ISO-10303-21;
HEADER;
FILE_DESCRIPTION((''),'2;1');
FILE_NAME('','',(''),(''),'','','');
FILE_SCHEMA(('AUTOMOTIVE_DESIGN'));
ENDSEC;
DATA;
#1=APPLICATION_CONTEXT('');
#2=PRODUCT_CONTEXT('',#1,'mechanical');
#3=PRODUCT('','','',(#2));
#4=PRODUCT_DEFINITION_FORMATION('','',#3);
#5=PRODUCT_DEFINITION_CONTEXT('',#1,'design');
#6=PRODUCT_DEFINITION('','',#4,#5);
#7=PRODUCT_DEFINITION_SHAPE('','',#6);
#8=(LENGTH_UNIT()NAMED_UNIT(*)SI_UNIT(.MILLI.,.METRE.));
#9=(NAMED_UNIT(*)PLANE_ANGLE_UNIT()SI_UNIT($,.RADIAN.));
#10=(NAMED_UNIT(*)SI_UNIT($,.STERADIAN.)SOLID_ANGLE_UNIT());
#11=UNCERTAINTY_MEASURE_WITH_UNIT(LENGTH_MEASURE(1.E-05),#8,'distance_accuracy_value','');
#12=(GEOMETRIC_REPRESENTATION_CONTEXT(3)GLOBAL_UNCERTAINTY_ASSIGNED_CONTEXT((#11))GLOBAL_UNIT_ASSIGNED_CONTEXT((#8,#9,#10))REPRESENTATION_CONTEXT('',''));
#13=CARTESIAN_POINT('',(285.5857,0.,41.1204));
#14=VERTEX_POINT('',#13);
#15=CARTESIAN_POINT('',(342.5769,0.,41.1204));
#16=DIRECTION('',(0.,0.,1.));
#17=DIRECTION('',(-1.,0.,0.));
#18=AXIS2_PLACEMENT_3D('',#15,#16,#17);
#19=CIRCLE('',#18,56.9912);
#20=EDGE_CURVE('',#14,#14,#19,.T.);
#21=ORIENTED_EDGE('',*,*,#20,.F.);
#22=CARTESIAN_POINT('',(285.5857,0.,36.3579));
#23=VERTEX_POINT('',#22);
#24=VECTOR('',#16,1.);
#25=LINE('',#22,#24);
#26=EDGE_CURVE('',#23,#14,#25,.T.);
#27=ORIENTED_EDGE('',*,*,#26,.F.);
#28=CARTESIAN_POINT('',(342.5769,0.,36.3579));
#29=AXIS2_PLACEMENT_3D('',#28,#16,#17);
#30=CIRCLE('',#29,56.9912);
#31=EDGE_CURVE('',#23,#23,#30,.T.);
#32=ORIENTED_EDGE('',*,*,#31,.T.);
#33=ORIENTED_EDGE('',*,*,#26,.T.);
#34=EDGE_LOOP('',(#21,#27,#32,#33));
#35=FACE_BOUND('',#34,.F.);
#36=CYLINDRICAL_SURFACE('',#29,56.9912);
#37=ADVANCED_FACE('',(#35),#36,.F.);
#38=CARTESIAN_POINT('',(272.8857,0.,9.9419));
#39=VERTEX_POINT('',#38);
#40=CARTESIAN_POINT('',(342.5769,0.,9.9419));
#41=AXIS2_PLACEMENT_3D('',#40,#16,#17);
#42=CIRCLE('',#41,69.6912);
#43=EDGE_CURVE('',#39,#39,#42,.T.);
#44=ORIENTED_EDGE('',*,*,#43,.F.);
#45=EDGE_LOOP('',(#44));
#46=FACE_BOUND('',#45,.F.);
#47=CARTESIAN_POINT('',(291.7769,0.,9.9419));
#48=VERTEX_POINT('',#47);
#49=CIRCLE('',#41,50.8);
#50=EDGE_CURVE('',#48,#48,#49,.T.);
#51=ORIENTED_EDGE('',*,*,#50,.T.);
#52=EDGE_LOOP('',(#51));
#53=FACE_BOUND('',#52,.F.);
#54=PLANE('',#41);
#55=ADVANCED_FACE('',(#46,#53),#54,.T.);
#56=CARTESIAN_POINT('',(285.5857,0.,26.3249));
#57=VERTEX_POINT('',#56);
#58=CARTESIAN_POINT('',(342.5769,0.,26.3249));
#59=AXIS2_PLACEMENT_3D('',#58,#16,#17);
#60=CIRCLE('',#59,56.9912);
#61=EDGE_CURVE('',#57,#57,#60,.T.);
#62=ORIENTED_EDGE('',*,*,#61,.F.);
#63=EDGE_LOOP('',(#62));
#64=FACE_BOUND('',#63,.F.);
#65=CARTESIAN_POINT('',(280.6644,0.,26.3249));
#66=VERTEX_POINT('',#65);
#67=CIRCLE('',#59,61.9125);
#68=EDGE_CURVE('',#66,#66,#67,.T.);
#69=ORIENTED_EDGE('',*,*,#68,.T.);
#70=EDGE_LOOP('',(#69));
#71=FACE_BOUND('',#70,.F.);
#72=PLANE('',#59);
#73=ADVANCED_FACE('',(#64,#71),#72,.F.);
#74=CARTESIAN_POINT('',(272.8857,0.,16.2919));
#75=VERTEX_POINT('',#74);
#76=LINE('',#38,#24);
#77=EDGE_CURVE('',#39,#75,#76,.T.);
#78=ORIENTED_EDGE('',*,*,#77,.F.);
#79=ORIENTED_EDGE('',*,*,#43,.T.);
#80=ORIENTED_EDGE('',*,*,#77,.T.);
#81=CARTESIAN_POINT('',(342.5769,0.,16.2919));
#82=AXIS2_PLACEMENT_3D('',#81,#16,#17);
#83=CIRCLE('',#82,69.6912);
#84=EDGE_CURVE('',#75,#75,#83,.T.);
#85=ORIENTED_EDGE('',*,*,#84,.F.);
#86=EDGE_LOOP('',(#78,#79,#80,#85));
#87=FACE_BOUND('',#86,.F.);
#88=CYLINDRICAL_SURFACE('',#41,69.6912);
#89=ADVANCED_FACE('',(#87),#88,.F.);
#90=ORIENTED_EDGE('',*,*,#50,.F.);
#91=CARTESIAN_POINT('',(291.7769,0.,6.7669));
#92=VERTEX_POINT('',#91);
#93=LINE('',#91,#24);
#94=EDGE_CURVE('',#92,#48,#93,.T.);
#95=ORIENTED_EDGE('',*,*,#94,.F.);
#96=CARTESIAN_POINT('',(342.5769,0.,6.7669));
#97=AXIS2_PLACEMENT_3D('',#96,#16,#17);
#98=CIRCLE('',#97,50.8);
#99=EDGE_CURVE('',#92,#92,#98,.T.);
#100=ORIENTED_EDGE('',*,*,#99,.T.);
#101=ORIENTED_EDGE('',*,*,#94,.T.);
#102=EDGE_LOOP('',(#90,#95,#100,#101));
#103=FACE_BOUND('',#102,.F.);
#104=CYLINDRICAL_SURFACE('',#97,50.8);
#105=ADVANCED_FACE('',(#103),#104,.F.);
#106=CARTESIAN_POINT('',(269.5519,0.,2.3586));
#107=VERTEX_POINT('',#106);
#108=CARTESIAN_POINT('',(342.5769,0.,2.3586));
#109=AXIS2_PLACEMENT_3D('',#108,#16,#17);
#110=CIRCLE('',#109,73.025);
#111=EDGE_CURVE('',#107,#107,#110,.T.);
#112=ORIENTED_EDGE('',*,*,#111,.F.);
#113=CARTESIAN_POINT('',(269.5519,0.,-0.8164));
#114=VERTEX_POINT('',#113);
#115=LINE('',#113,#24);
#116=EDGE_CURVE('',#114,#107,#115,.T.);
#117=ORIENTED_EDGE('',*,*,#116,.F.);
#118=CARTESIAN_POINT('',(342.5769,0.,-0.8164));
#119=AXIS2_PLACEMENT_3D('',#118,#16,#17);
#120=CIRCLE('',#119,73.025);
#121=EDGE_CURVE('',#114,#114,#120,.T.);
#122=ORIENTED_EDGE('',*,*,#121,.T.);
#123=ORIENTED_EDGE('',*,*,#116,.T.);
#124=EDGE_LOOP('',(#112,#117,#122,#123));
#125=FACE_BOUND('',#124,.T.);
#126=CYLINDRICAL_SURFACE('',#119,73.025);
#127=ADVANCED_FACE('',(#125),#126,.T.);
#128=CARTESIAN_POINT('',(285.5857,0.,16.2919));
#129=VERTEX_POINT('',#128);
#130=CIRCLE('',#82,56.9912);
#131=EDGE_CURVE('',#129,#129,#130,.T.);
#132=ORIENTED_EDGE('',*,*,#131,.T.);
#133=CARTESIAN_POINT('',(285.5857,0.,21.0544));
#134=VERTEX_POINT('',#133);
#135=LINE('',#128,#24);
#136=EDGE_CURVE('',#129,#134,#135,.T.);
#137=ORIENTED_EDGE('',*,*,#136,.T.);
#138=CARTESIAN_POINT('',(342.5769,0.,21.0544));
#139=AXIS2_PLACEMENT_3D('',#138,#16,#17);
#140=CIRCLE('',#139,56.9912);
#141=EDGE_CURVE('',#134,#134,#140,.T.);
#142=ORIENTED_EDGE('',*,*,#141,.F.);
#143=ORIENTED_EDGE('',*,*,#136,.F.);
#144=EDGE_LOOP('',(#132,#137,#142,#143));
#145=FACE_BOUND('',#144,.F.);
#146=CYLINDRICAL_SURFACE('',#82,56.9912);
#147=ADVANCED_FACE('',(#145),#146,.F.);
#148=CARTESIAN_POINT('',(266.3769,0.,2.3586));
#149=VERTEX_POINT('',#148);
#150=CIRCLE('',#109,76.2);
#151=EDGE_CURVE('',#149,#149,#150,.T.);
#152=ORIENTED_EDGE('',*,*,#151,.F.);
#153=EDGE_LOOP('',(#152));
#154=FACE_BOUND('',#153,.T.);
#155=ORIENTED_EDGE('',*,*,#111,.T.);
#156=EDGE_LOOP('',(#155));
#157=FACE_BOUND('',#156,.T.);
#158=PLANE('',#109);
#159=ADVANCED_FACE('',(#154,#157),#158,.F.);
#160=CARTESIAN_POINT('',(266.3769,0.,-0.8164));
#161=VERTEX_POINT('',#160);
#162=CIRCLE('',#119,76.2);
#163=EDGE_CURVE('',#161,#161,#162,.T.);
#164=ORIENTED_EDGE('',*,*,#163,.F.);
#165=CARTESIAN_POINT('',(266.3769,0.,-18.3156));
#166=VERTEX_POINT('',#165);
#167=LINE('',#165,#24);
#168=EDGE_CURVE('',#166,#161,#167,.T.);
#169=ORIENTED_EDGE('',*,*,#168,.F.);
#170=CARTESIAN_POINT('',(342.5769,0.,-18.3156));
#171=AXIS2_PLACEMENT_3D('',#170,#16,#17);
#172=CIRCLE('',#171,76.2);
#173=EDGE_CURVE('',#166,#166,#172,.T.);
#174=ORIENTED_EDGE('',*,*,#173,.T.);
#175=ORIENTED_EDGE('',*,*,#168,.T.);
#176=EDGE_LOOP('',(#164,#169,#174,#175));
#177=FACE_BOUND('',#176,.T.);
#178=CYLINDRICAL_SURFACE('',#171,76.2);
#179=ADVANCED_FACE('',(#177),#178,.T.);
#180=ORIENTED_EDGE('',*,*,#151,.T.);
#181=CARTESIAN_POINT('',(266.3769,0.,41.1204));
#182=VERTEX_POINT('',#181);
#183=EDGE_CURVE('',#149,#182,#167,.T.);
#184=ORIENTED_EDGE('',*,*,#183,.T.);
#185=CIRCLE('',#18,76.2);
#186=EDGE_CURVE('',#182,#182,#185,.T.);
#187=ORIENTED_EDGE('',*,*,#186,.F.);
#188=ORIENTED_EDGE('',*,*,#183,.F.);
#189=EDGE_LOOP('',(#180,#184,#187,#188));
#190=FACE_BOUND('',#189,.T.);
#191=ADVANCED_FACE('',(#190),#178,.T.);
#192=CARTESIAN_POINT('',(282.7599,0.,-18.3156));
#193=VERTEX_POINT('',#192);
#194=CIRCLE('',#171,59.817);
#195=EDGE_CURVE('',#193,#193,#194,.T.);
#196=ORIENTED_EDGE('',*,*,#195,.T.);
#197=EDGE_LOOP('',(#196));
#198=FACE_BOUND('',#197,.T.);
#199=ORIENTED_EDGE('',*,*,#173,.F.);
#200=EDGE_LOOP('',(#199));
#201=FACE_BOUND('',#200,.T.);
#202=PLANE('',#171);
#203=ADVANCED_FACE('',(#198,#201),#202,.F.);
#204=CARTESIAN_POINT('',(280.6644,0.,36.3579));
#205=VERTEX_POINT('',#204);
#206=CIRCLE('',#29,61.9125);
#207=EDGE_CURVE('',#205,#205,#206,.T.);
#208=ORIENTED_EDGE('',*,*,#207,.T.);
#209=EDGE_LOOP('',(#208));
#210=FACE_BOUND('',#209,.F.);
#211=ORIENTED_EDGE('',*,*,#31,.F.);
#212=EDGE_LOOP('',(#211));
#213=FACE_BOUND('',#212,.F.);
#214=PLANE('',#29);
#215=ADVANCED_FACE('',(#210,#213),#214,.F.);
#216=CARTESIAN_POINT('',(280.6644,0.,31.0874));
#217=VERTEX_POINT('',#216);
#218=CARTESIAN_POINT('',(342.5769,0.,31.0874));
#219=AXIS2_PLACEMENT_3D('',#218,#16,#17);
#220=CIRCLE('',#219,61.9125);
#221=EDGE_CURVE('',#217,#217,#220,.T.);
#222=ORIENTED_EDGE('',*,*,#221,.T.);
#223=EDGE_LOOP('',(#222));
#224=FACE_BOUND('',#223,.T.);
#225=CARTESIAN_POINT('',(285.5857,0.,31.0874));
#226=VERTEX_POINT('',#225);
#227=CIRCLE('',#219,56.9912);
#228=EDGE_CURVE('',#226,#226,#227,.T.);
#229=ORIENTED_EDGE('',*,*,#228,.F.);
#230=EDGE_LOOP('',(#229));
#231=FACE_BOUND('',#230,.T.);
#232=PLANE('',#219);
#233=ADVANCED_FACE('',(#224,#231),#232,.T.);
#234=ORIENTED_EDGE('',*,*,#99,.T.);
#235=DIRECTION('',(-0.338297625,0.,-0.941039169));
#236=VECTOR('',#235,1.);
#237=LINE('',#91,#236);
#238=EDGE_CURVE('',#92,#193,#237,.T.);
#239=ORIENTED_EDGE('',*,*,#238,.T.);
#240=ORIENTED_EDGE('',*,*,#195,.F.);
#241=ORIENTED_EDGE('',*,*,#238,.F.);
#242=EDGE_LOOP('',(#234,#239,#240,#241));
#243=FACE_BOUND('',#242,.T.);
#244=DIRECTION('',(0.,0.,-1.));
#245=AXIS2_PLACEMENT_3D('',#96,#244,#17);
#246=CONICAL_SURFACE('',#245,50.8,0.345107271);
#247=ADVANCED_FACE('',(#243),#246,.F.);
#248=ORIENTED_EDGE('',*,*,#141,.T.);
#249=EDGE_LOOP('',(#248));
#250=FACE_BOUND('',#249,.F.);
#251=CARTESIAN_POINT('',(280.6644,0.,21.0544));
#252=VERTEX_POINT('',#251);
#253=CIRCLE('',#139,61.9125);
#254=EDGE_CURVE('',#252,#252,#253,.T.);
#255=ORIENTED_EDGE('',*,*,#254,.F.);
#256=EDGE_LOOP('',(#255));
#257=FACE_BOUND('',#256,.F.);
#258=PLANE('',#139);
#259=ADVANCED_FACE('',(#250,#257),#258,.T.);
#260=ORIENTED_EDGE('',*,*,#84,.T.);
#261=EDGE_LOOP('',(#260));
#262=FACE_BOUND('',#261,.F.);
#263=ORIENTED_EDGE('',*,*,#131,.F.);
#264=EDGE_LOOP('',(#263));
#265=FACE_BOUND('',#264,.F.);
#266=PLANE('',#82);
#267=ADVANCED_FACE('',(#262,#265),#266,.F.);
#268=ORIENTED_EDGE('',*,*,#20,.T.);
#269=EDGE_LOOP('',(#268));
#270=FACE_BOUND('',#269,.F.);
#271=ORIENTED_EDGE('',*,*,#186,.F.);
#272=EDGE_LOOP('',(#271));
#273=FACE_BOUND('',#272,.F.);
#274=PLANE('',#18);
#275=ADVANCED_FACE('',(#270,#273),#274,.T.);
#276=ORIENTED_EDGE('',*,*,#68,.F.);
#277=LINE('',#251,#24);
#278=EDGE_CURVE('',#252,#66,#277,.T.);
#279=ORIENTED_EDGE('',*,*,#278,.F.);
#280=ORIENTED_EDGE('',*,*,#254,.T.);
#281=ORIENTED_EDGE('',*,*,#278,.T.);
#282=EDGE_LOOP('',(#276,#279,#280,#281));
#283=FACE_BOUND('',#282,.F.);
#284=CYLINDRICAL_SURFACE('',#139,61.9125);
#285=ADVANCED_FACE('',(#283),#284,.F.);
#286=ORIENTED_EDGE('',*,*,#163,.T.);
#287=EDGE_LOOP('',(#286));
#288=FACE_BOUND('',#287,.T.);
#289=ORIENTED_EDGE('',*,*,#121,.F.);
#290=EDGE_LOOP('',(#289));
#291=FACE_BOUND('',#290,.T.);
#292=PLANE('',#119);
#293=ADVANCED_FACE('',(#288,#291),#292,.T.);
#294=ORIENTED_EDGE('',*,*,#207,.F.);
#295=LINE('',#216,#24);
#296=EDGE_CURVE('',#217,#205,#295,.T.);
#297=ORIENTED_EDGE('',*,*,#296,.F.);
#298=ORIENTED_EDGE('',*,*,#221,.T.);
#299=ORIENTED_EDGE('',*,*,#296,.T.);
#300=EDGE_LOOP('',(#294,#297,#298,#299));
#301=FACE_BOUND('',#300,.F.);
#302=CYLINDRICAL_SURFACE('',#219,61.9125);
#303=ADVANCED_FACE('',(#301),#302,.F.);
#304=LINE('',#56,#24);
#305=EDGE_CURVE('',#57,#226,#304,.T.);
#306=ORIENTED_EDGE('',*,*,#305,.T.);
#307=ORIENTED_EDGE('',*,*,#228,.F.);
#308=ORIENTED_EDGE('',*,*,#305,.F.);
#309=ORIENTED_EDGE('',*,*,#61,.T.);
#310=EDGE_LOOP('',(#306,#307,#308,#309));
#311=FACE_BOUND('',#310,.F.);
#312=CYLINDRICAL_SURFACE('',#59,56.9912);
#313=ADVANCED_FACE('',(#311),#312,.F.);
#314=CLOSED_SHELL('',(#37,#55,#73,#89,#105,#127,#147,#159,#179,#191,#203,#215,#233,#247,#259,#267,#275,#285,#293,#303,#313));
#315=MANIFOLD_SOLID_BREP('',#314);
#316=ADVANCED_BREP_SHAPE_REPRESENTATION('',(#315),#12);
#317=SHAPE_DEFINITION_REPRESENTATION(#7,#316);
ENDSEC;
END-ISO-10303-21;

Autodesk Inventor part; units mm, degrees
ref_plane "YZ Plane" through (0, 0, 0) normal (1, 0, 0) x (0, 1, 0)
ref_plane "XZ Plane" through (0, 0, 0) normal (0, 1, 0) x (-1, 0, 0)
ref_plane "XY Plane" through (0, 0, 0) normal (0, 0, 1) x (1, 0, 0)
sketch "Sketch5" plane through (0, 0, 0) normal (0, 1, 0) x (-1, 0, 0)
  line L0 (-272.8857, 16.2919) -> (-285.5857, 16.2919)
  line L1 (-285.5857, 16.2919) -> (-285.5857, 21.0544)
  line L2 (-285.5857, 21.0544) -> (-280.6644, 21.0544)
  line L3 (-280.6644, 26.3249) -> (-285.5857, 26.3249)
  line L4 (-280.6644, 21.0544) -> (-280.6644, 26.3249)
  line L5 (-280.6644, 31.0874) -> (-285.5857, 31.0874)
  line L6 (-285.5857, 26.3249) -> (-285.5857, 31.0874)
  line L7 (-280.6644, 31.0874) -> (-280.6644, 36.3579)
  line L8 (-285.5857, 36.3579) -> (-285.5857, 41.1204)
  line L9 (-285.5857, 41.1204) -> (-266.3769, 41.1204)
  line L10 (-272.8857, 9.9419) -> (-272.8857, 16.2919)
  line L11 (-266.3769, -18.3156) -> (-266.3769, 41.1204)
  line L12 (-291.7769, 9.9419) -> (-272.8857, 9.9419)
  line L13 (-282.7599, -18.3156) -> (-266.3769, -18.3156)
  line L14 (-291.7769, 6.7669) -> (-282.7599, -18.3156)
  line L15 (-291.7769, 6.7669) -> (-291.7769, 9.9419)
  line L16 (-280.6644, 36.3579) -> (-285.5857, 36.3579)
  line L17 (-342.5769, -58.268) -> (-342.5769, 69.8263)
  line L18 (-266.3769, -0.8164) -> (-269.5519, -0.8164)
  line L19 (-269.5519, -0.8164) -> (-269.5519, 2.3586)
  line L20 (-269.5519, 2.3586) -> (-266.3769, 2.3586)
  point P0 (0, 0)
  dimension "d34" = 3.175
  dimension "d35" = 9.017
  dimension "d36" = 50.8
  dimension "d37" = 76.2
  dimension "d39" = 61.9125
  dimension "d40" = 6.35
  dimension "d41" = 56.9913
  dimension "d42" = 12.7
  dimension "d43" = 3.175
  dimension "d44" = 3.175
  dimension "d45" = 17.4992
  dimension "d46" = 28.2575
  dimension "d47" = 4.7625
revolve "Revolution2" add sketch "Sketch5" angle 360 about axis through (342.5769, 0, -58.268) along (0, 0, 1) contours L0 L1 L2 L4 L3 L6 L5 L7 L16 L8 L9 L11 L20 L19 L18 L13 L14 L15 L12 L10
equation "\"d41\" = 0.5 * WashChamberOD - SealedSurfaceOffset"
equation "\"d47\" = StaticORingThickness"
equation "\"MachineMaxHeight\" = 539.75"
equation "\"MachineMaxWidth\" = 215.9"
equation "\"MachineMaxLength\" = 266.7"
equation "\"MachineFluidCapacity\" = 25.4"
equation "\"MaxCompressiveCapacity\" = 20320"
equation "\"WashChamberID\" = 101.6"
equation "\"WashChamberOD\" = 114.3"
equation "\"ConduitThickness\" = 152.4"
equation "\"StaticORingThickness\" = 4.7625"
equation "\"SealedSurfaceOffset\" = 0.15875"
properties part number "WashChamberConduit"
